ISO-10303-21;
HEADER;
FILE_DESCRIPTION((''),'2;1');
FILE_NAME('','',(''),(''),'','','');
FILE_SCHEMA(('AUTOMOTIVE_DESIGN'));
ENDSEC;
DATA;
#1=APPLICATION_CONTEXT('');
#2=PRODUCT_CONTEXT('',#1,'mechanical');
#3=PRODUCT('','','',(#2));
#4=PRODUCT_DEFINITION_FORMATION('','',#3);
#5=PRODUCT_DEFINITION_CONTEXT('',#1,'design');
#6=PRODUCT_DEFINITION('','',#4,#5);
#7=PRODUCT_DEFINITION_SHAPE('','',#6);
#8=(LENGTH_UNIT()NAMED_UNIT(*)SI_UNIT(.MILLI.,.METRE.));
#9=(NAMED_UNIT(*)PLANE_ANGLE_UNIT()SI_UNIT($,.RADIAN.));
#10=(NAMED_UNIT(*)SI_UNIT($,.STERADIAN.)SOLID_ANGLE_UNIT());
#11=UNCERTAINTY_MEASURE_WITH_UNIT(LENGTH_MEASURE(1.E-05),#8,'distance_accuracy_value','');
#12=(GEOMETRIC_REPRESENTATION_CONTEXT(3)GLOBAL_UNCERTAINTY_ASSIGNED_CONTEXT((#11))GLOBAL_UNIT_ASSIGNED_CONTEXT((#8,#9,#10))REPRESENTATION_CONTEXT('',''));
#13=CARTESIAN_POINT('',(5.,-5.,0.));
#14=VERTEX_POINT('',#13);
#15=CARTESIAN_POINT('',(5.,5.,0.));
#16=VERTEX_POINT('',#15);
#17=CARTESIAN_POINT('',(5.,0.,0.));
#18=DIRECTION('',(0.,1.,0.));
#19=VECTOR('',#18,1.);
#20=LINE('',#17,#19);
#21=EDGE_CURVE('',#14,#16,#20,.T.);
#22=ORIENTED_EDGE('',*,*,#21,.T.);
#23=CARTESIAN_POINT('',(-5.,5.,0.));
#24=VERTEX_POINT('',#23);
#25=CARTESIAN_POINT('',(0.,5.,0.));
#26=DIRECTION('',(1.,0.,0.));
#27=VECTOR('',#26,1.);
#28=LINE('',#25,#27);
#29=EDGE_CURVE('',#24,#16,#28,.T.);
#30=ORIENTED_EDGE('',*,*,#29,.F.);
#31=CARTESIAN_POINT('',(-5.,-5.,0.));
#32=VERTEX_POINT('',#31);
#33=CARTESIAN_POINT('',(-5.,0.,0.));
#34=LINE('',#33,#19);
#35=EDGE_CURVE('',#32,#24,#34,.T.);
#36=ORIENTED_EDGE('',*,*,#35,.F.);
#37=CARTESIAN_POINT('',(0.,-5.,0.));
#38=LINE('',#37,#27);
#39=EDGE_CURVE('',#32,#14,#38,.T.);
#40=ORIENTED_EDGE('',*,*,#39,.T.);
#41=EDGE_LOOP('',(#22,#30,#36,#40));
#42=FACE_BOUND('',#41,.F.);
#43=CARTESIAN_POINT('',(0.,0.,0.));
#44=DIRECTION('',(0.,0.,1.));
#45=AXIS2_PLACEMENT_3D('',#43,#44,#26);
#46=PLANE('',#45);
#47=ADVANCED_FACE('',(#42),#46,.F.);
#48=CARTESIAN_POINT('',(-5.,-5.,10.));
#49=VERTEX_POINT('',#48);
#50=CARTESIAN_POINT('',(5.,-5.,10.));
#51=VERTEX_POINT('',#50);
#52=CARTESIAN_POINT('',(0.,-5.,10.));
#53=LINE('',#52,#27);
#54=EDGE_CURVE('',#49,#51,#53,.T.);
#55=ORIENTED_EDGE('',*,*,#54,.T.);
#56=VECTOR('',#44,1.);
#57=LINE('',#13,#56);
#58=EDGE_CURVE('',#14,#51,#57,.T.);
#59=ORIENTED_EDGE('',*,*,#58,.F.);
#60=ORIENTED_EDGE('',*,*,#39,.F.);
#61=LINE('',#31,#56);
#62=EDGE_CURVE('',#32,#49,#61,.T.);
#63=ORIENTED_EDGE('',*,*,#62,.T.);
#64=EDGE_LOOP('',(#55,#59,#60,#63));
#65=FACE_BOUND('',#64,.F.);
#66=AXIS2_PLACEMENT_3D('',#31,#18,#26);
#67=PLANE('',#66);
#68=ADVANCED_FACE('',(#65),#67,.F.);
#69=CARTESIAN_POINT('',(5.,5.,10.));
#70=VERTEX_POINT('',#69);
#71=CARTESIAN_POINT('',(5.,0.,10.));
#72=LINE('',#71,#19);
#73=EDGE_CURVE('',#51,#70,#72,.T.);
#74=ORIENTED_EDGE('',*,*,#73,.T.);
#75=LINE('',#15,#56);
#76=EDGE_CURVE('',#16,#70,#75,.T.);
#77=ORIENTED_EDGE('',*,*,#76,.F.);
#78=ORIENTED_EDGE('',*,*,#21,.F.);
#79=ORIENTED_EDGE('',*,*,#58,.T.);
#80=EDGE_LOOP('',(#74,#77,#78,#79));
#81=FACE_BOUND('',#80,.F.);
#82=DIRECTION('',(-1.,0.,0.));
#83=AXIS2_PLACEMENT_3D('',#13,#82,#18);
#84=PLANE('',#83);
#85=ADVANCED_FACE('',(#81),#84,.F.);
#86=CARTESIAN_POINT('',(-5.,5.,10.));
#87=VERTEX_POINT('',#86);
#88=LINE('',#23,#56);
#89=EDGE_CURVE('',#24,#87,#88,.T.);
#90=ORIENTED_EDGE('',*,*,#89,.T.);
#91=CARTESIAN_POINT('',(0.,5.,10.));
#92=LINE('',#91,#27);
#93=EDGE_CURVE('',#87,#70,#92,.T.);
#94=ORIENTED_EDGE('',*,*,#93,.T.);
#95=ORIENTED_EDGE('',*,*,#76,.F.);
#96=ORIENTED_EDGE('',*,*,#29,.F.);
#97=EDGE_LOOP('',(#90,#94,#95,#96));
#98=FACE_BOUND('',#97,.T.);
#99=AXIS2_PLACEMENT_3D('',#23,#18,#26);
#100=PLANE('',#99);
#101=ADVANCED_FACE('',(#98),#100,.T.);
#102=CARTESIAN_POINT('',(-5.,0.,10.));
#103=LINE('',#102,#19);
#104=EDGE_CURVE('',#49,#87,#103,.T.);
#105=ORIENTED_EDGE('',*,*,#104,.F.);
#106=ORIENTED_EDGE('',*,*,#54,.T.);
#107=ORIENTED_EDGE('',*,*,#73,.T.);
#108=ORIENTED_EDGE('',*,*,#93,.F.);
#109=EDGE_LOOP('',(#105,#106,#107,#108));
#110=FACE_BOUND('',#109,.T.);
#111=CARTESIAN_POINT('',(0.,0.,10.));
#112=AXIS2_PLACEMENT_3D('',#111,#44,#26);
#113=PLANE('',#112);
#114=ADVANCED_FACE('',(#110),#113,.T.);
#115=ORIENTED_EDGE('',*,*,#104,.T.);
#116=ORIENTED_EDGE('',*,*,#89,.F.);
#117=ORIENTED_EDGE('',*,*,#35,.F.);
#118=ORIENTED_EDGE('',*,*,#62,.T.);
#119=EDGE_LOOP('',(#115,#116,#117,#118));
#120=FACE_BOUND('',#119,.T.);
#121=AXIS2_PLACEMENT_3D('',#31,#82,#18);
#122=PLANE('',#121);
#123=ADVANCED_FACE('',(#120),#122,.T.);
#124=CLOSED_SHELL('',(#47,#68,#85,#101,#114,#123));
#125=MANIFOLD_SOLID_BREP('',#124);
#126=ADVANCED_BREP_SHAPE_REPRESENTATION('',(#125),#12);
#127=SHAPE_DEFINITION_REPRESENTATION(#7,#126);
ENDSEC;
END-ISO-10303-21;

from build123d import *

# Parameters (mm, degrees)
SKETCH_W  = 10
SKETCH_H  = 10
PAD_DEPTH = 10


with BuildPart() as part:
    # Sketch → Pad (new body)
    with BuildSketch(Plane.XY):
        Rectangle(SKETCH_W, SKETCH_H)
    extrude(amount=PAD_DEPTH)


solid = part.part
